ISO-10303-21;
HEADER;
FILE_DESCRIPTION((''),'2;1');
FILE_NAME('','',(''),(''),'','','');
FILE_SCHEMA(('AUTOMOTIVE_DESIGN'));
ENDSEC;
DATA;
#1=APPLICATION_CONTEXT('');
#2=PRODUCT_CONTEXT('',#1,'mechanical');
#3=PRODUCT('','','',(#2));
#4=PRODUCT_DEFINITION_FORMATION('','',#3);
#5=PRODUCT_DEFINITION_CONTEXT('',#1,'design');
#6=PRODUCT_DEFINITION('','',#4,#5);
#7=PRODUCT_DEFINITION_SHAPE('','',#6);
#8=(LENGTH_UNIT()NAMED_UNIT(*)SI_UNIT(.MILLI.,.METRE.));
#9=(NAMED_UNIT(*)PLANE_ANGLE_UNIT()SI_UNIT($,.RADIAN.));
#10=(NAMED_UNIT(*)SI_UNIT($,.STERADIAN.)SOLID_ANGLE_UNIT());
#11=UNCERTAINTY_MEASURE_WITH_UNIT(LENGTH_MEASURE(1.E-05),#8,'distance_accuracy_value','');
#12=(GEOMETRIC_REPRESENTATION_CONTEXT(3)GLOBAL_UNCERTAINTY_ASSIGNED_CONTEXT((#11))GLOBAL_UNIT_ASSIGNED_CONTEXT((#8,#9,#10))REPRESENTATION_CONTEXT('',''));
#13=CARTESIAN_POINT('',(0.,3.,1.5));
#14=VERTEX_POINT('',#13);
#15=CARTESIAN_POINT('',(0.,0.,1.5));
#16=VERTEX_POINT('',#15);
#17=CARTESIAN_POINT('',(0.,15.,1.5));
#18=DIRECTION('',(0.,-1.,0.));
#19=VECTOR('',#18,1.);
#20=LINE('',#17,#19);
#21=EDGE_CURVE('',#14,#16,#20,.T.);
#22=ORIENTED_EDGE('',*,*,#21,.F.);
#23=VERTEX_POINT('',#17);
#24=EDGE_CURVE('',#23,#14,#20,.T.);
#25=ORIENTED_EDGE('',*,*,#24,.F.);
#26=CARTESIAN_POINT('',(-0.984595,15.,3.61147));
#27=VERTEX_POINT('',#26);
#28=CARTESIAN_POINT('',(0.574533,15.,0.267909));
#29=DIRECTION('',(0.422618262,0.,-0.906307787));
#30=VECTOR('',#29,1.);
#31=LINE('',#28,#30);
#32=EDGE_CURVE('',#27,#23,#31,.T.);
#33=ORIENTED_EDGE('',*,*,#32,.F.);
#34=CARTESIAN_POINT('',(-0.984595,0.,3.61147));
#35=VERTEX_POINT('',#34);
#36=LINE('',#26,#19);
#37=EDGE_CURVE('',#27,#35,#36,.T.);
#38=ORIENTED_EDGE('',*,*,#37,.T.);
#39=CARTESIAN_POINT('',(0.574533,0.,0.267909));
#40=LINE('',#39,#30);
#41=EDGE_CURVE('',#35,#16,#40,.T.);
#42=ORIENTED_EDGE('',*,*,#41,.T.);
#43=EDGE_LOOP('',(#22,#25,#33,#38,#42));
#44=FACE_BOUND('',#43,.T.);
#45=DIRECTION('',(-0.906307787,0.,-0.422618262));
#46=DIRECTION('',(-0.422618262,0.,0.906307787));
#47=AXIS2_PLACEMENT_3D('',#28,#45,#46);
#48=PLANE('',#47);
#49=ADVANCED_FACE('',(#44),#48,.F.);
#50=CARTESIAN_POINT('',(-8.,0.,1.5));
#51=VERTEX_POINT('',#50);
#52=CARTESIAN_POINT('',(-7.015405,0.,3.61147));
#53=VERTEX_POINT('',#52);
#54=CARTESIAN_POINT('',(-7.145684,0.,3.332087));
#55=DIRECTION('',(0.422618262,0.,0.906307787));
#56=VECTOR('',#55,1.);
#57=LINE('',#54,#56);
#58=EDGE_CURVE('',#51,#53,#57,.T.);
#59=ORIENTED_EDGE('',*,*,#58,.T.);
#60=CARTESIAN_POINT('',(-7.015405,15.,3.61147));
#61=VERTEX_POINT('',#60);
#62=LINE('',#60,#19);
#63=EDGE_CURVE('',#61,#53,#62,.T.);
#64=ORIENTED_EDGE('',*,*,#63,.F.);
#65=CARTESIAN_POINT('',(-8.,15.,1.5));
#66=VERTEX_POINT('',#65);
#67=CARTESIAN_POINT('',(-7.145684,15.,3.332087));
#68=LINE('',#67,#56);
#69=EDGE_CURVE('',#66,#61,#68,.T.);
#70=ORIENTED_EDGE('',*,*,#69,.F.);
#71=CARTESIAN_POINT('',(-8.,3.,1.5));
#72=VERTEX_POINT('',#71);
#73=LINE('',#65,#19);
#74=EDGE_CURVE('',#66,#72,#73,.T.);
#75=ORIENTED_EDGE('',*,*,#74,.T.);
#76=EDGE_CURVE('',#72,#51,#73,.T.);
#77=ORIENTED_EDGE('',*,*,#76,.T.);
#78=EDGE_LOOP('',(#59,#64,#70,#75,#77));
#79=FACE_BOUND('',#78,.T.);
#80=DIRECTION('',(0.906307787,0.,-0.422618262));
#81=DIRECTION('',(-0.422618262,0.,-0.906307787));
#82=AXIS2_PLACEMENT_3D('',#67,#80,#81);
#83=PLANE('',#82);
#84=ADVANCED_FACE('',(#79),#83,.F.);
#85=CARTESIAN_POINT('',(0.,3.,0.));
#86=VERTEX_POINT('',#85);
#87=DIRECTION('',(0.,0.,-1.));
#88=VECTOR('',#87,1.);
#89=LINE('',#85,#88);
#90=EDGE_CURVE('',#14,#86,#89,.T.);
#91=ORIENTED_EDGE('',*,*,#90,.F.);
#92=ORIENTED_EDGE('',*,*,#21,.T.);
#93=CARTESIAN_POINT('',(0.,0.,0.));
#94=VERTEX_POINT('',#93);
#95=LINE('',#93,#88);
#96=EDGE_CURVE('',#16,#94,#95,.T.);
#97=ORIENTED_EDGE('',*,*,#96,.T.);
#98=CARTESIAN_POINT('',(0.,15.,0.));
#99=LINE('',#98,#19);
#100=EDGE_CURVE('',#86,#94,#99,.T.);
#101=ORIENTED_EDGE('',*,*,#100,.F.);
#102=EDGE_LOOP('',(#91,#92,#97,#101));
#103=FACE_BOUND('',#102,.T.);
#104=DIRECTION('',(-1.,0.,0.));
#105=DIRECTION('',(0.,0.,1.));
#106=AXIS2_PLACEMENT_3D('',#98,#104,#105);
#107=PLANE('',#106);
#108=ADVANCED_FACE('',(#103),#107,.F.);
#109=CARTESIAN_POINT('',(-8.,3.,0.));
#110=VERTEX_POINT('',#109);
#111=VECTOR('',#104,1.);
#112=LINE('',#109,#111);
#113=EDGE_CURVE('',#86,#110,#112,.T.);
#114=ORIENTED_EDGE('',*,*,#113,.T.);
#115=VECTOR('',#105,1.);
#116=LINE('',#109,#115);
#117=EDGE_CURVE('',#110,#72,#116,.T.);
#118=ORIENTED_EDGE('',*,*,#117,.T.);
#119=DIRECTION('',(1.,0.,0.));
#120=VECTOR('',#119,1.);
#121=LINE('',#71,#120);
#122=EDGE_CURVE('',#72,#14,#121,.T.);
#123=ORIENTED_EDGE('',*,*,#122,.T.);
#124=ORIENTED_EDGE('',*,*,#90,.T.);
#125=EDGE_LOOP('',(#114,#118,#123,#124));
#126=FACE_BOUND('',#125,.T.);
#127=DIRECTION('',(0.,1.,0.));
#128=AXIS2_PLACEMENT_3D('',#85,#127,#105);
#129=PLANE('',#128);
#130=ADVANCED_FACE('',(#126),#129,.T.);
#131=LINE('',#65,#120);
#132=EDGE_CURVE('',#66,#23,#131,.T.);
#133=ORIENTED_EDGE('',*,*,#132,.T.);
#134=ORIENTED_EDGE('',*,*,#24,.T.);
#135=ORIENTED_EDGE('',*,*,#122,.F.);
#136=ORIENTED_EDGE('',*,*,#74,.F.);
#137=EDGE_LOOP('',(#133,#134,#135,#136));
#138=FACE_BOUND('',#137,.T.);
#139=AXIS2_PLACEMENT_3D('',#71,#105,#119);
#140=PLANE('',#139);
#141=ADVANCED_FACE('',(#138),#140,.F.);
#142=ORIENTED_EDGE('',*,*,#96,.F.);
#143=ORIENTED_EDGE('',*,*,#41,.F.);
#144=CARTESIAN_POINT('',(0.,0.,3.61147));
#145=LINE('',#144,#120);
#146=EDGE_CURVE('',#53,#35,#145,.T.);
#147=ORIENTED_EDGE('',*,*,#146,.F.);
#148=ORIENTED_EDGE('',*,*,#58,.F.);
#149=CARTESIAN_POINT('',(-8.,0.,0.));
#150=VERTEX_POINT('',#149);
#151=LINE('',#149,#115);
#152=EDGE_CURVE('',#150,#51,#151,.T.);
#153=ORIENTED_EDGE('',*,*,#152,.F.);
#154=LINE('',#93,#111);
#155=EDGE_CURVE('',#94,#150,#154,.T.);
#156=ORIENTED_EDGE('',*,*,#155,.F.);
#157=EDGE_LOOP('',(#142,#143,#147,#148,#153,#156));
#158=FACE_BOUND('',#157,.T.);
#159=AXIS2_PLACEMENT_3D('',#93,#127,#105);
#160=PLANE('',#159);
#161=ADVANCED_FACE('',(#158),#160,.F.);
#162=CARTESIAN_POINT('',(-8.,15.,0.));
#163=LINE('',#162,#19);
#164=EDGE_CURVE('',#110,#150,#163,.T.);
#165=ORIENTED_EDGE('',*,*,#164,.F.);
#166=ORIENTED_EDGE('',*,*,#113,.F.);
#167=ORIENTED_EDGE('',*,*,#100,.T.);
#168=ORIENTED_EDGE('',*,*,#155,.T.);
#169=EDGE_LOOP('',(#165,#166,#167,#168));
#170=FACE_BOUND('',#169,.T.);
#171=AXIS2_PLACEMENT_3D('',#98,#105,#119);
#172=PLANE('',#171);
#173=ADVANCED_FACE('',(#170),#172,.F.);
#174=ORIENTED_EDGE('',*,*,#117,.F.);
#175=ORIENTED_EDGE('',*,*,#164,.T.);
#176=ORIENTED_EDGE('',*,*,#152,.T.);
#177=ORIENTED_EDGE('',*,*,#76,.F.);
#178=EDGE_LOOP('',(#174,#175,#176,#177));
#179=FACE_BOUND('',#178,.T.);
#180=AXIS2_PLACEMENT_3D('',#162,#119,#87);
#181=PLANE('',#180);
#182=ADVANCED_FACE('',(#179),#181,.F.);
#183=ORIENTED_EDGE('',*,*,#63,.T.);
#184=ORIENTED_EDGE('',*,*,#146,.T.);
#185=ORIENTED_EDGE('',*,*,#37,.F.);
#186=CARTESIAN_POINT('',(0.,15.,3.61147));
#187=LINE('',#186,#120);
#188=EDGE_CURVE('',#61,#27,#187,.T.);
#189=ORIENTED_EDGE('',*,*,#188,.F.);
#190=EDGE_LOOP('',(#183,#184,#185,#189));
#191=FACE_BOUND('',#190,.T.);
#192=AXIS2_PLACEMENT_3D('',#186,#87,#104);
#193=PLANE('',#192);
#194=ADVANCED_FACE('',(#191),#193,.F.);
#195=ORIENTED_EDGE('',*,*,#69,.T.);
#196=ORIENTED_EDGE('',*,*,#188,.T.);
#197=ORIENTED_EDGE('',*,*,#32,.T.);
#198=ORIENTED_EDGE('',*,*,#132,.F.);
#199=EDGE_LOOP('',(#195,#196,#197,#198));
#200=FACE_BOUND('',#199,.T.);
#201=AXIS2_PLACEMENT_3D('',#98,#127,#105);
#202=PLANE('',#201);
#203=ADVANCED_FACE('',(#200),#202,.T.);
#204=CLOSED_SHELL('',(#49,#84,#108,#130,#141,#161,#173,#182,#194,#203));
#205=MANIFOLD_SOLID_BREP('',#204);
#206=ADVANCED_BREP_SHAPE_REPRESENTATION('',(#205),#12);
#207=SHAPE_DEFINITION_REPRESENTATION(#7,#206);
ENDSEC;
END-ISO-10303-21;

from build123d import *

# Parameters (mm, degrees)
CROQUIS1_W              = 8
CROQUIS1_H              = 1.5
SALIENTE_EXTRUIR4_DEPTH = 15
CROQUIS5_W              = 8
CROQUIS5_H              = 1.5
CORTAR_EXTRUIR3_DEPTH   = 12


with BuildPart() as part:
    # Croquis1 → Saliente-Extruir4 (new body)
    with BuildSketch(Plane(origin=(0, 0, 0), x_dir=(1, 0, 0), z_dir=(0, 1, 0))):
        with Locations((-4, -0.75)):
            Rectangle(CROQUIS1_W, CROQUIS1_H)
        Polygon((-7.015405321, -3.611470103), (-0.984594679, -3.611470103), (0, -1.5), (-8, -1.5), align=None)
    extrude(amount=SALIENTE_EXTRUIR4_DEPTH)

    # Croquis5 → Cortar-Extruir3 (cut)
    with BuildSketch(Plane(origin=(0, 15, 0), x_dir=(1, 0, 0), z_dir=(0, 1, 0))):
        with Locations((-4, -0.75)):
            Rectangle(CROQUIS5_W, CROQUIS5_H)
    extrude(amount=-CORTAR_EXTRUIR3_DEPTH, mode=Mode.SUBTRACT)


solid = part.part
